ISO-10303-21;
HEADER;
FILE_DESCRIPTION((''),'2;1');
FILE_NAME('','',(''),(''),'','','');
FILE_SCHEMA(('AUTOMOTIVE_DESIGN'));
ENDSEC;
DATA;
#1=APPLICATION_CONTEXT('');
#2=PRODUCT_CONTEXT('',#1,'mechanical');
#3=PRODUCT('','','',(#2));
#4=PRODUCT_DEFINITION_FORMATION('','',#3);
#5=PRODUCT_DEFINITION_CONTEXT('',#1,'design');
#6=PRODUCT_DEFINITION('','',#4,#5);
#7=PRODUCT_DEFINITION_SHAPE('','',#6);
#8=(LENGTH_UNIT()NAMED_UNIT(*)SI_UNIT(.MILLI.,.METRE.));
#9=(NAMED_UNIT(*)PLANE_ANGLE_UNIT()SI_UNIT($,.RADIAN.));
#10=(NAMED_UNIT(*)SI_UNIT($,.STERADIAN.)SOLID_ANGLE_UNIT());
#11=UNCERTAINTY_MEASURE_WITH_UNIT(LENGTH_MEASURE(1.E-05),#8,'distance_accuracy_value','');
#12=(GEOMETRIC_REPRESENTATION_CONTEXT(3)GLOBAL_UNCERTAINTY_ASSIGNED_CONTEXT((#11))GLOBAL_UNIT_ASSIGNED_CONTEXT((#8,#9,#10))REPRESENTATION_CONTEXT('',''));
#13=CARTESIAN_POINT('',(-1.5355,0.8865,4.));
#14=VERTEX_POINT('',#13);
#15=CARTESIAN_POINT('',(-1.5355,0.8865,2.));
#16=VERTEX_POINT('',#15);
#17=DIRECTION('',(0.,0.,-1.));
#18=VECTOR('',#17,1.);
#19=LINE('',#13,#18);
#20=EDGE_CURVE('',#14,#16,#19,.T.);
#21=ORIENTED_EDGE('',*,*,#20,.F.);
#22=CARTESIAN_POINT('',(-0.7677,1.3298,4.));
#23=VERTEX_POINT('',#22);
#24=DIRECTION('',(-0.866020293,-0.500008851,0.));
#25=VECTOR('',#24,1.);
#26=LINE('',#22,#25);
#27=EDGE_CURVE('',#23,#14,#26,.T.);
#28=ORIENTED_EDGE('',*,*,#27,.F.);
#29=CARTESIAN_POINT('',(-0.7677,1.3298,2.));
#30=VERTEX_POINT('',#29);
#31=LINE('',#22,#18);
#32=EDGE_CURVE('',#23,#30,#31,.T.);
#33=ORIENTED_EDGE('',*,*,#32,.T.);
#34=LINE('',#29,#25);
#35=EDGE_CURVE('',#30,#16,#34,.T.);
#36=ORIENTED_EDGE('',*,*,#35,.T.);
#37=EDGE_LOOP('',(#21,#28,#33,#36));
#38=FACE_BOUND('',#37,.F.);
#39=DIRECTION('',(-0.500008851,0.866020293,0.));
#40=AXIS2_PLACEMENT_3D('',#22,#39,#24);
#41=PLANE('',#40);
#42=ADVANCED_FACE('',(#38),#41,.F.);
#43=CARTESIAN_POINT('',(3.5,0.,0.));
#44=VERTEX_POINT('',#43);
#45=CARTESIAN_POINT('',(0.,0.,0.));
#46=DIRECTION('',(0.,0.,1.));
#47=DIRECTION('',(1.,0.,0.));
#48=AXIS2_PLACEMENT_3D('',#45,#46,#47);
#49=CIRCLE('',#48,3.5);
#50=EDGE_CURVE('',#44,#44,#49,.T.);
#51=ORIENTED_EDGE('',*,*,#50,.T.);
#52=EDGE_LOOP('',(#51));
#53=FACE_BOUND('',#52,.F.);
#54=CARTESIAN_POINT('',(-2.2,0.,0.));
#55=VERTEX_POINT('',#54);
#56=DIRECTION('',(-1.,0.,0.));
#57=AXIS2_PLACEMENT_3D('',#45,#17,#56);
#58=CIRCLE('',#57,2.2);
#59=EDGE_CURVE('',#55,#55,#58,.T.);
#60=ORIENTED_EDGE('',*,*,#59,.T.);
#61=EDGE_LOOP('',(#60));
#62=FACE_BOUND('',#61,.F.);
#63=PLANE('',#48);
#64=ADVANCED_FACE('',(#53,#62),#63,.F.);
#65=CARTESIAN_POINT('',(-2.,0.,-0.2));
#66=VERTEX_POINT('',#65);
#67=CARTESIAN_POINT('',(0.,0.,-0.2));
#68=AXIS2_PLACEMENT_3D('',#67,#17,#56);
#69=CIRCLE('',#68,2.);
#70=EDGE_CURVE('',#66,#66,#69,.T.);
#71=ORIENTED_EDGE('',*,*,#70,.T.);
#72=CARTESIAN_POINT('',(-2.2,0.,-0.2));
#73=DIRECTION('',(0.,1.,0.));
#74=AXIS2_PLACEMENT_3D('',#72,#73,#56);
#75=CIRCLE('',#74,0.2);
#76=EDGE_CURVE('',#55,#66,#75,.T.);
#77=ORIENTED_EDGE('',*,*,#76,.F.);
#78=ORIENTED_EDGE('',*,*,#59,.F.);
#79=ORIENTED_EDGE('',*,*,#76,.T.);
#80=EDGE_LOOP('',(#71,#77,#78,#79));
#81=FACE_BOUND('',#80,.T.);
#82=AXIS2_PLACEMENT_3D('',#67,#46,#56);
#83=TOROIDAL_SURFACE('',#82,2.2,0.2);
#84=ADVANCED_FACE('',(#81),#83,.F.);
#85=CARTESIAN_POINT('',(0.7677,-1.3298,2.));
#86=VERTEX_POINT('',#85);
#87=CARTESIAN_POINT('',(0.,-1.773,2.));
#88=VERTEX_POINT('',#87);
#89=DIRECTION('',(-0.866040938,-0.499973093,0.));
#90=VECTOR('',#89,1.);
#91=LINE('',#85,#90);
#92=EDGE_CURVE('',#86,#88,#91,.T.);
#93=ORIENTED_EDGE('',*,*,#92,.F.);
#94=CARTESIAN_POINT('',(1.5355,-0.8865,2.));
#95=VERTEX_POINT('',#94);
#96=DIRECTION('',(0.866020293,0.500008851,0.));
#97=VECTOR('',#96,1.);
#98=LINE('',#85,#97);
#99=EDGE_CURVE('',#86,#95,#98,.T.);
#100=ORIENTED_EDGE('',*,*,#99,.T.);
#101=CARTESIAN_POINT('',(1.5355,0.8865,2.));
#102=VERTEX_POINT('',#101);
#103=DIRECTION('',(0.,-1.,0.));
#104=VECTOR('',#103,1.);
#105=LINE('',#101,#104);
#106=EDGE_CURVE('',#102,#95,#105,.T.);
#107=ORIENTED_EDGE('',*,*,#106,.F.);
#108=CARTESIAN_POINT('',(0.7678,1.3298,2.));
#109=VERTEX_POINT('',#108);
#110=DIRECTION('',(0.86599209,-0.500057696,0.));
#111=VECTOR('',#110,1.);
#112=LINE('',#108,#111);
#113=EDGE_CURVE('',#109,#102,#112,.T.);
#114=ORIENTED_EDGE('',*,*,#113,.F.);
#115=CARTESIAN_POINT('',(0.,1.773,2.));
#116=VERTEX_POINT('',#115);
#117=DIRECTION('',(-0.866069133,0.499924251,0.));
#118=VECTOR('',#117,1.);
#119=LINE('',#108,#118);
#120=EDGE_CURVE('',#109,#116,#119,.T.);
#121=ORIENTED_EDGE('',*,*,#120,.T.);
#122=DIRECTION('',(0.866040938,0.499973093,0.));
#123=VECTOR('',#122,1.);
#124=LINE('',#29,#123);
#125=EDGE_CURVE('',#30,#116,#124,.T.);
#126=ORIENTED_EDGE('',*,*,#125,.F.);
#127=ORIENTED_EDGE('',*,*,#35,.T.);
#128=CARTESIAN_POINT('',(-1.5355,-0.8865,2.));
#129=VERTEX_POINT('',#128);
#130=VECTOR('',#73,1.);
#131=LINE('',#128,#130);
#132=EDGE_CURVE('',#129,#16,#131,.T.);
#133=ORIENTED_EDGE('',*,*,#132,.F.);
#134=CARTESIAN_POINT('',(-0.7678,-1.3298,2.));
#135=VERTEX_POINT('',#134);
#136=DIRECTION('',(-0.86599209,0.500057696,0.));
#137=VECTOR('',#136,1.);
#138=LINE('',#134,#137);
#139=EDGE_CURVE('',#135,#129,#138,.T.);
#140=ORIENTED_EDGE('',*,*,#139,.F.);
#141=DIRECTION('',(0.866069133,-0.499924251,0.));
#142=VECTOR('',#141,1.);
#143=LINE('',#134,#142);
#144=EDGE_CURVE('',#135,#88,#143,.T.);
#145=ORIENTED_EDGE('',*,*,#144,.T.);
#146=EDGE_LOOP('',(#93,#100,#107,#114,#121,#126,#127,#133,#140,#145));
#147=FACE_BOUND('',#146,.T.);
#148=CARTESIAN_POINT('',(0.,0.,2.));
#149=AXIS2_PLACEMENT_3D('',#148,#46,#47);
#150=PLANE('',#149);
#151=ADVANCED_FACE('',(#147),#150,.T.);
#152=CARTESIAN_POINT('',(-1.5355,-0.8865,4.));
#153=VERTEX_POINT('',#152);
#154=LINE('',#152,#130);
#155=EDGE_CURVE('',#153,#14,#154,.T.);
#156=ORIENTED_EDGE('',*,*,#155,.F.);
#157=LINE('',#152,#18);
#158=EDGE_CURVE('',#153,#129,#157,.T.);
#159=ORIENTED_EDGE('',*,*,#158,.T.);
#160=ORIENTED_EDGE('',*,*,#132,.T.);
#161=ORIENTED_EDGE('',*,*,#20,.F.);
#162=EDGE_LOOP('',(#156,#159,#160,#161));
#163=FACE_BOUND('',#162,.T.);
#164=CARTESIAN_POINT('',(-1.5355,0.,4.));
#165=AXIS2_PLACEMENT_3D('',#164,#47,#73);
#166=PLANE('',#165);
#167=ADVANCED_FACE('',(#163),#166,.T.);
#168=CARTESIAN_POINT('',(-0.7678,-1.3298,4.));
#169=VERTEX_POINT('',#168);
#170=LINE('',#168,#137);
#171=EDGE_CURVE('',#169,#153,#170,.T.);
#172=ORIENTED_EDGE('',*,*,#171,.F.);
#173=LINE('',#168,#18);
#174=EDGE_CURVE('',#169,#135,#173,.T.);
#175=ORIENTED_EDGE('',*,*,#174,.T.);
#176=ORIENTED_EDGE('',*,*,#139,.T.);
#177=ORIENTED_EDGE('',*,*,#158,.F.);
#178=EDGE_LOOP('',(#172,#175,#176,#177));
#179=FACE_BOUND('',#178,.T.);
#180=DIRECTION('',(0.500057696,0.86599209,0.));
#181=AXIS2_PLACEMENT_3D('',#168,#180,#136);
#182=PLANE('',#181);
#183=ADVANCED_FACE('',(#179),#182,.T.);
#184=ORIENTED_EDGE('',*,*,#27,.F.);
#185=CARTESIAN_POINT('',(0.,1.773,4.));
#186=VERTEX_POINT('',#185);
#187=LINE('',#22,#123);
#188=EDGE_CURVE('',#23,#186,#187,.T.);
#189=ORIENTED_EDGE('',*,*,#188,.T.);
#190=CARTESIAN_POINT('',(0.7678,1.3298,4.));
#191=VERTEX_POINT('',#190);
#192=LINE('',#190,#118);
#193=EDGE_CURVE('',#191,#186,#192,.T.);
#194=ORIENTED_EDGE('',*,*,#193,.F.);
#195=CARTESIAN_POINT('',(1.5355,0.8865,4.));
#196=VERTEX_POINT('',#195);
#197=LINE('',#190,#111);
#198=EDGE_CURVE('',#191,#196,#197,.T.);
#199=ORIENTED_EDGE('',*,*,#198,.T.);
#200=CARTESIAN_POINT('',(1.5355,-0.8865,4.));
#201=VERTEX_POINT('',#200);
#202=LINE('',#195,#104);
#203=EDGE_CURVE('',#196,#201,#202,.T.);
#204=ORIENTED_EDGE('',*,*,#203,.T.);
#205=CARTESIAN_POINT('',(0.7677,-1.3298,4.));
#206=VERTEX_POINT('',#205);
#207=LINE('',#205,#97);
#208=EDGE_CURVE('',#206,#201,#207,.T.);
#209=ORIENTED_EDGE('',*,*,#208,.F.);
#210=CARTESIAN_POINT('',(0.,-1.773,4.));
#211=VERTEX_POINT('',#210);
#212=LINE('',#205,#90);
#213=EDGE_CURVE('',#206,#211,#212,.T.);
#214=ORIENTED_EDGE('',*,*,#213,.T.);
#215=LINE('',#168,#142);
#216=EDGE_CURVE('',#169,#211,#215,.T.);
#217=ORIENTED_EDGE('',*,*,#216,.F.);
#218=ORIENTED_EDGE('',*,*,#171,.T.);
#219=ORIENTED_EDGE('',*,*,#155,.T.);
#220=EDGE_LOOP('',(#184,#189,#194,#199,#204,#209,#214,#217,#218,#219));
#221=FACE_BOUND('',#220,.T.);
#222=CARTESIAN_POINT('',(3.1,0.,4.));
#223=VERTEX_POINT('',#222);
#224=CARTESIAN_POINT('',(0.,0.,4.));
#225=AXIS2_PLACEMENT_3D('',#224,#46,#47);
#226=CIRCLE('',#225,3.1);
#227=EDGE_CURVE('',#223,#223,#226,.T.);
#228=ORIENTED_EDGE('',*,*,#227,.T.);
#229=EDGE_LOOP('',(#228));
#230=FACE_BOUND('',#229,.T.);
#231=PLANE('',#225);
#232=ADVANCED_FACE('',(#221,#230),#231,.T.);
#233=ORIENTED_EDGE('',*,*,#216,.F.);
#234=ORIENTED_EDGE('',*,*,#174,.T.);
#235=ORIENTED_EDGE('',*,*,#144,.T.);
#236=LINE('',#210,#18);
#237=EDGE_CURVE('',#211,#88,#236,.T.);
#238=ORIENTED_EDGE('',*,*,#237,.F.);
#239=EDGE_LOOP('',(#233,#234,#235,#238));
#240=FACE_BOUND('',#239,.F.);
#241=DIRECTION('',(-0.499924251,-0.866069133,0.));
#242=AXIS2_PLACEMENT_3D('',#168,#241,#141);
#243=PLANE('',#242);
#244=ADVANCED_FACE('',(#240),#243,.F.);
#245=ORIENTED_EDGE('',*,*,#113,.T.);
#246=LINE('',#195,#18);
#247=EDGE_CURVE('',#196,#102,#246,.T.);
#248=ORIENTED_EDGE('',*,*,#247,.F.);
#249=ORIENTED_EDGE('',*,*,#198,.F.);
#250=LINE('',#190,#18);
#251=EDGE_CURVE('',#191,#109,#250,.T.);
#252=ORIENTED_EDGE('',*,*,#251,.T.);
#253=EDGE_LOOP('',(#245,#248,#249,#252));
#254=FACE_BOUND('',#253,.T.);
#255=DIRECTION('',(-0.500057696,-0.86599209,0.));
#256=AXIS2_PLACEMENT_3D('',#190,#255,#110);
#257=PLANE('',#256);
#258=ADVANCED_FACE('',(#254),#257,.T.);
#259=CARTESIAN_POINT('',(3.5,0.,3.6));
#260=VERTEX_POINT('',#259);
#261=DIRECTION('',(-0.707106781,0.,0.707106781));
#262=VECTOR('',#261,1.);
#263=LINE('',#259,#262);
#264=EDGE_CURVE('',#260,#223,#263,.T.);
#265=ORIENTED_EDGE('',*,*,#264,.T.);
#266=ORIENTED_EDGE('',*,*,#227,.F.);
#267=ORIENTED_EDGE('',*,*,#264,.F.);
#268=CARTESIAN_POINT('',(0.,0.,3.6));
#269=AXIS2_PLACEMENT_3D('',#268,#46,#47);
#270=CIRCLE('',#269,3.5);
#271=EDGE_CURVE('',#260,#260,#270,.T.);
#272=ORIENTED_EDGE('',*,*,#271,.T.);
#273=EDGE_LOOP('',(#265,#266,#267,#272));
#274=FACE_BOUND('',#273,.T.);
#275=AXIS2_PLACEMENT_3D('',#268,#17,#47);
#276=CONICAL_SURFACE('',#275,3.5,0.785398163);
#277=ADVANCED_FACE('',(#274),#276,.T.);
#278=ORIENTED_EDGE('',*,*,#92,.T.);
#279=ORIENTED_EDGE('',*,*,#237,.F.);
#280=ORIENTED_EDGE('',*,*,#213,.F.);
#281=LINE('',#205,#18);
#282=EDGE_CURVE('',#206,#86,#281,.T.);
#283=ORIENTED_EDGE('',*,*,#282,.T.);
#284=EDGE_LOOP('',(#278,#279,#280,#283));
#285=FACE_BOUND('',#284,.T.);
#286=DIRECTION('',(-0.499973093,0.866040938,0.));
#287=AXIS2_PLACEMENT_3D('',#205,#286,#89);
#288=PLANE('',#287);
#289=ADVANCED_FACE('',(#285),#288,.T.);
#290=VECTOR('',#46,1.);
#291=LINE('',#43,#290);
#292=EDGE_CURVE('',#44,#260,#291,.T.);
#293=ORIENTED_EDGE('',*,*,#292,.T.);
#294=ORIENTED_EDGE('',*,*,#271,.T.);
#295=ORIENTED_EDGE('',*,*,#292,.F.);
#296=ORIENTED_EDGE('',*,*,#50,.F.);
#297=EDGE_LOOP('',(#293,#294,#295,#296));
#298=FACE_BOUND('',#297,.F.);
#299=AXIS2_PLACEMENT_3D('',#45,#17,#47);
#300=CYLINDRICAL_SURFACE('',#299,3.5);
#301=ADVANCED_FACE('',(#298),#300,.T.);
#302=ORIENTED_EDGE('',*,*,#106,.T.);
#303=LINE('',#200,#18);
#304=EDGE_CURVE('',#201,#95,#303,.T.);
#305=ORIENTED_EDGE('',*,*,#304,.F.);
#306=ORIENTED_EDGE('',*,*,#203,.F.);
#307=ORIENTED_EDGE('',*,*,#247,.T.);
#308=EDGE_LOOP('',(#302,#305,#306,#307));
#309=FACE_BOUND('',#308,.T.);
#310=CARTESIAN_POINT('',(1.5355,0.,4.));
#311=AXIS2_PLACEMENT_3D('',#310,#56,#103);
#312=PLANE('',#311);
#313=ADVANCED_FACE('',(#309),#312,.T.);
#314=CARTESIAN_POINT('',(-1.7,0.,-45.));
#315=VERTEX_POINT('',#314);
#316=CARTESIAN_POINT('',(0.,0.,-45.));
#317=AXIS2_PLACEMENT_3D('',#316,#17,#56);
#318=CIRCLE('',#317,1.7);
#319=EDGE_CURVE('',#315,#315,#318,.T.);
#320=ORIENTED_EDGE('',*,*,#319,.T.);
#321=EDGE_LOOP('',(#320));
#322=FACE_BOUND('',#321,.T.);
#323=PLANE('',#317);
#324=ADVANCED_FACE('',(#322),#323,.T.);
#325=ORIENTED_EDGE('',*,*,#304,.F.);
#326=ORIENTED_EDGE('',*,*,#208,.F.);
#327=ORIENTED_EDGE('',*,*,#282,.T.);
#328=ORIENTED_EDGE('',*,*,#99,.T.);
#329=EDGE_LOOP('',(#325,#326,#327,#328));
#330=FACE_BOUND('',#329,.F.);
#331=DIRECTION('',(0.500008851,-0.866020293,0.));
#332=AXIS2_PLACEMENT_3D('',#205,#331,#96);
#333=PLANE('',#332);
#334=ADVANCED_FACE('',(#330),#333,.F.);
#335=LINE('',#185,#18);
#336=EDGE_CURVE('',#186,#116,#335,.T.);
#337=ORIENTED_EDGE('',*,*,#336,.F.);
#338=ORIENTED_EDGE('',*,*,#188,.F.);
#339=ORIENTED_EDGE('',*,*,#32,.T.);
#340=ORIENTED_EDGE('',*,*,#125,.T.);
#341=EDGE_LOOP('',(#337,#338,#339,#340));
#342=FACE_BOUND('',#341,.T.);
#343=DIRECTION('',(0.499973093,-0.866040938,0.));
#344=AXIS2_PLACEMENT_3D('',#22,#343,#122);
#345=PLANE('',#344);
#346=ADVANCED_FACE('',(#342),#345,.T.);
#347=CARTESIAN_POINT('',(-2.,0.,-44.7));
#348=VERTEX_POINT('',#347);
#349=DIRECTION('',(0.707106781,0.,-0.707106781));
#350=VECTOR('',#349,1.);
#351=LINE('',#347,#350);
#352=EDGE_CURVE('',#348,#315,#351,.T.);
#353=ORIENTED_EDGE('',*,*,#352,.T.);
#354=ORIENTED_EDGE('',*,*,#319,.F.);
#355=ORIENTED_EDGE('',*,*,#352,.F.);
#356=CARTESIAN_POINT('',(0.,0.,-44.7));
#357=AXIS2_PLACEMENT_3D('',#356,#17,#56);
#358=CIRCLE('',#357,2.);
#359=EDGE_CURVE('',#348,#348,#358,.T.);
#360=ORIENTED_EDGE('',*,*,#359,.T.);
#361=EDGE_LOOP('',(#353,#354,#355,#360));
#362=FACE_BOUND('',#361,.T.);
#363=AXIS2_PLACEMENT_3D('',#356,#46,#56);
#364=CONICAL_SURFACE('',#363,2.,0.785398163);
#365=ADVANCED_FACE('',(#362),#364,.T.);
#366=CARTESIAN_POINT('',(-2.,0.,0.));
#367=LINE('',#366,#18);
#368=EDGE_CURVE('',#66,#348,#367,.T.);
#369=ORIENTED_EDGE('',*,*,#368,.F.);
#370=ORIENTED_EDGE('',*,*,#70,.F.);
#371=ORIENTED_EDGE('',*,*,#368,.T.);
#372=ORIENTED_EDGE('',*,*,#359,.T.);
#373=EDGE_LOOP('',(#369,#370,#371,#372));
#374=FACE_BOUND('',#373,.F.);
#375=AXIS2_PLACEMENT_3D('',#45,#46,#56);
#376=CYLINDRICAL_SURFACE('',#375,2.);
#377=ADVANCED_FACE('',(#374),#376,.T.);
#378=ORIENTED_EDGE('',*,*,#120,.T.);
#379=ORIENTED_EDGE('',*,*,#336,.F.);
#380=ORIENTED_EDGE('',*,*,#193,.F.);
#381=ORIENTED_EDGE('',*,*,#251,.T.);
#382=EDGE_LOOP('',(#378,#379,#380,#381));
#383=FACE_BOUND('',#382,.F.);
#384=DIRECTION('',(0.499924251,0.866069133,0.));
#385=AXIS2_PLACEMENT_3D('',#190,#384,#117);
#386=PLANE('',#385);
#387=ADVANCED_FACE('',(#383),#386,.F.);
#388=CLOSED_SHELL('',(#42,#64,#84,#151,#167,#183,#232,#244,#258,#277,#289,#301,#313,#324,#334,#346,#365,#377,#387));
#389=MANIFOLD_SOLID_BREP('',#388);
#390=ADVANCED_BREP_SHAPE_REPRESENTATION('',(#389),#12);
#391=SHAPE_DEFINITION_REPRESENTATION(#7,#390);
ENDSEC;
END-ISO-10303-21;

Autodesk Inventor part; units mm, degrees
ref_plane "YZ Plane" through (0, 0, 0) normal (1, 0, 0) x (0, 1, 0)
ref_plane "XZ Plane" through (0, 0, 0) normal (0, 1, 0) x (-1, 0, 0)
ref_plane "XY Plane" through (0, 0, 0) normal (0, 0, 1) x (1, 0, 0)
sketch "Szkic1" plane through (0, 0, 0) normal (0, 0, 1) x (1, 0, 0)
  circle A0 centre (0, 0) radius 3.5
  dimension "d0" = 7
extrude "Wyciągnięcie proste1" add sketch "Szkic1" along normal blind 4
chamfer "Faza1" distance 0.4 angle 45 1 edges at (-3.5, 0, 4)
sketch "Szkic2" plane through (0, 0, 4) normal (0, 0, 1) x (1, 0, 0)
  point P0 (0, 0)
sketch "Szkic3" plane through (0, 0, 4) normal (0, 0, 1) x (1, 0, 0)
  circle A0 centre (0, 0) radius 1.5355
  line L0 (1.5355, 0) -> (1.5355, 0.8865)
  line L1 (1.5355, 0) -> (1.5355, -0.8865)
  line L2 (0.7677, -1.3298) -> (1.5355, -0.8865)
  line L3 (0.7677, -1.3298) -> (0, -1.773)
  line L4 (0.7678, 1.3298) -> (0, 1.773)
  line L5 (-0.7677, 1.3298) -> (0, 1.773)
  line L6 (-1.5355, 0) -> (-1.5355, 0.8865)
  line L7 (-0.7677, 1.3298) -> (-1.5355, 0.8865)
  line L8 (-0.7678, -1.3298) -> (0, -1.773)
  line L9 (0.7678, 1.3298) -> (1.5355, 0.8865)
  line L10 (-1.5355, 0) -> (-1.5355, -0.8865)
  line L11 (-0.7678, -1.3298) -> (-1.5355, -0.8865)
  dimension "d6" = 3.071
extrude "Wyciągnięcie proste2" cut sketch "Szkic3" against normal blind 2
sketch "Szkic4" plane through (0, 0, 0) normal (0, 0, -1) x (-1, 0, 0)
  circle A0 centre (0, 0) radius 2
  dimension "d13" = 4
extrude "Wyciągnięcie proste3" add sketch "Szkic4" along normal blind 45
fillet "Zaokrąglenie1" radius 0.2 1 edges at (2, 0, 0)
sketch "Szkic5" plane through (0, 0, 0) normal (0, 0, -1) x (-1, 0, 0)
  point P0 (0, 0)
chamfer "Faza2" distance 0.3 angle 45 1 edges at (2, 0, -45)
sketch "Szkic6" plane through (0, 0, -45) normal (0, 0, -1) x (-1, 0, 0)
  point P0 (0, 0)
properties part number "sruba"
